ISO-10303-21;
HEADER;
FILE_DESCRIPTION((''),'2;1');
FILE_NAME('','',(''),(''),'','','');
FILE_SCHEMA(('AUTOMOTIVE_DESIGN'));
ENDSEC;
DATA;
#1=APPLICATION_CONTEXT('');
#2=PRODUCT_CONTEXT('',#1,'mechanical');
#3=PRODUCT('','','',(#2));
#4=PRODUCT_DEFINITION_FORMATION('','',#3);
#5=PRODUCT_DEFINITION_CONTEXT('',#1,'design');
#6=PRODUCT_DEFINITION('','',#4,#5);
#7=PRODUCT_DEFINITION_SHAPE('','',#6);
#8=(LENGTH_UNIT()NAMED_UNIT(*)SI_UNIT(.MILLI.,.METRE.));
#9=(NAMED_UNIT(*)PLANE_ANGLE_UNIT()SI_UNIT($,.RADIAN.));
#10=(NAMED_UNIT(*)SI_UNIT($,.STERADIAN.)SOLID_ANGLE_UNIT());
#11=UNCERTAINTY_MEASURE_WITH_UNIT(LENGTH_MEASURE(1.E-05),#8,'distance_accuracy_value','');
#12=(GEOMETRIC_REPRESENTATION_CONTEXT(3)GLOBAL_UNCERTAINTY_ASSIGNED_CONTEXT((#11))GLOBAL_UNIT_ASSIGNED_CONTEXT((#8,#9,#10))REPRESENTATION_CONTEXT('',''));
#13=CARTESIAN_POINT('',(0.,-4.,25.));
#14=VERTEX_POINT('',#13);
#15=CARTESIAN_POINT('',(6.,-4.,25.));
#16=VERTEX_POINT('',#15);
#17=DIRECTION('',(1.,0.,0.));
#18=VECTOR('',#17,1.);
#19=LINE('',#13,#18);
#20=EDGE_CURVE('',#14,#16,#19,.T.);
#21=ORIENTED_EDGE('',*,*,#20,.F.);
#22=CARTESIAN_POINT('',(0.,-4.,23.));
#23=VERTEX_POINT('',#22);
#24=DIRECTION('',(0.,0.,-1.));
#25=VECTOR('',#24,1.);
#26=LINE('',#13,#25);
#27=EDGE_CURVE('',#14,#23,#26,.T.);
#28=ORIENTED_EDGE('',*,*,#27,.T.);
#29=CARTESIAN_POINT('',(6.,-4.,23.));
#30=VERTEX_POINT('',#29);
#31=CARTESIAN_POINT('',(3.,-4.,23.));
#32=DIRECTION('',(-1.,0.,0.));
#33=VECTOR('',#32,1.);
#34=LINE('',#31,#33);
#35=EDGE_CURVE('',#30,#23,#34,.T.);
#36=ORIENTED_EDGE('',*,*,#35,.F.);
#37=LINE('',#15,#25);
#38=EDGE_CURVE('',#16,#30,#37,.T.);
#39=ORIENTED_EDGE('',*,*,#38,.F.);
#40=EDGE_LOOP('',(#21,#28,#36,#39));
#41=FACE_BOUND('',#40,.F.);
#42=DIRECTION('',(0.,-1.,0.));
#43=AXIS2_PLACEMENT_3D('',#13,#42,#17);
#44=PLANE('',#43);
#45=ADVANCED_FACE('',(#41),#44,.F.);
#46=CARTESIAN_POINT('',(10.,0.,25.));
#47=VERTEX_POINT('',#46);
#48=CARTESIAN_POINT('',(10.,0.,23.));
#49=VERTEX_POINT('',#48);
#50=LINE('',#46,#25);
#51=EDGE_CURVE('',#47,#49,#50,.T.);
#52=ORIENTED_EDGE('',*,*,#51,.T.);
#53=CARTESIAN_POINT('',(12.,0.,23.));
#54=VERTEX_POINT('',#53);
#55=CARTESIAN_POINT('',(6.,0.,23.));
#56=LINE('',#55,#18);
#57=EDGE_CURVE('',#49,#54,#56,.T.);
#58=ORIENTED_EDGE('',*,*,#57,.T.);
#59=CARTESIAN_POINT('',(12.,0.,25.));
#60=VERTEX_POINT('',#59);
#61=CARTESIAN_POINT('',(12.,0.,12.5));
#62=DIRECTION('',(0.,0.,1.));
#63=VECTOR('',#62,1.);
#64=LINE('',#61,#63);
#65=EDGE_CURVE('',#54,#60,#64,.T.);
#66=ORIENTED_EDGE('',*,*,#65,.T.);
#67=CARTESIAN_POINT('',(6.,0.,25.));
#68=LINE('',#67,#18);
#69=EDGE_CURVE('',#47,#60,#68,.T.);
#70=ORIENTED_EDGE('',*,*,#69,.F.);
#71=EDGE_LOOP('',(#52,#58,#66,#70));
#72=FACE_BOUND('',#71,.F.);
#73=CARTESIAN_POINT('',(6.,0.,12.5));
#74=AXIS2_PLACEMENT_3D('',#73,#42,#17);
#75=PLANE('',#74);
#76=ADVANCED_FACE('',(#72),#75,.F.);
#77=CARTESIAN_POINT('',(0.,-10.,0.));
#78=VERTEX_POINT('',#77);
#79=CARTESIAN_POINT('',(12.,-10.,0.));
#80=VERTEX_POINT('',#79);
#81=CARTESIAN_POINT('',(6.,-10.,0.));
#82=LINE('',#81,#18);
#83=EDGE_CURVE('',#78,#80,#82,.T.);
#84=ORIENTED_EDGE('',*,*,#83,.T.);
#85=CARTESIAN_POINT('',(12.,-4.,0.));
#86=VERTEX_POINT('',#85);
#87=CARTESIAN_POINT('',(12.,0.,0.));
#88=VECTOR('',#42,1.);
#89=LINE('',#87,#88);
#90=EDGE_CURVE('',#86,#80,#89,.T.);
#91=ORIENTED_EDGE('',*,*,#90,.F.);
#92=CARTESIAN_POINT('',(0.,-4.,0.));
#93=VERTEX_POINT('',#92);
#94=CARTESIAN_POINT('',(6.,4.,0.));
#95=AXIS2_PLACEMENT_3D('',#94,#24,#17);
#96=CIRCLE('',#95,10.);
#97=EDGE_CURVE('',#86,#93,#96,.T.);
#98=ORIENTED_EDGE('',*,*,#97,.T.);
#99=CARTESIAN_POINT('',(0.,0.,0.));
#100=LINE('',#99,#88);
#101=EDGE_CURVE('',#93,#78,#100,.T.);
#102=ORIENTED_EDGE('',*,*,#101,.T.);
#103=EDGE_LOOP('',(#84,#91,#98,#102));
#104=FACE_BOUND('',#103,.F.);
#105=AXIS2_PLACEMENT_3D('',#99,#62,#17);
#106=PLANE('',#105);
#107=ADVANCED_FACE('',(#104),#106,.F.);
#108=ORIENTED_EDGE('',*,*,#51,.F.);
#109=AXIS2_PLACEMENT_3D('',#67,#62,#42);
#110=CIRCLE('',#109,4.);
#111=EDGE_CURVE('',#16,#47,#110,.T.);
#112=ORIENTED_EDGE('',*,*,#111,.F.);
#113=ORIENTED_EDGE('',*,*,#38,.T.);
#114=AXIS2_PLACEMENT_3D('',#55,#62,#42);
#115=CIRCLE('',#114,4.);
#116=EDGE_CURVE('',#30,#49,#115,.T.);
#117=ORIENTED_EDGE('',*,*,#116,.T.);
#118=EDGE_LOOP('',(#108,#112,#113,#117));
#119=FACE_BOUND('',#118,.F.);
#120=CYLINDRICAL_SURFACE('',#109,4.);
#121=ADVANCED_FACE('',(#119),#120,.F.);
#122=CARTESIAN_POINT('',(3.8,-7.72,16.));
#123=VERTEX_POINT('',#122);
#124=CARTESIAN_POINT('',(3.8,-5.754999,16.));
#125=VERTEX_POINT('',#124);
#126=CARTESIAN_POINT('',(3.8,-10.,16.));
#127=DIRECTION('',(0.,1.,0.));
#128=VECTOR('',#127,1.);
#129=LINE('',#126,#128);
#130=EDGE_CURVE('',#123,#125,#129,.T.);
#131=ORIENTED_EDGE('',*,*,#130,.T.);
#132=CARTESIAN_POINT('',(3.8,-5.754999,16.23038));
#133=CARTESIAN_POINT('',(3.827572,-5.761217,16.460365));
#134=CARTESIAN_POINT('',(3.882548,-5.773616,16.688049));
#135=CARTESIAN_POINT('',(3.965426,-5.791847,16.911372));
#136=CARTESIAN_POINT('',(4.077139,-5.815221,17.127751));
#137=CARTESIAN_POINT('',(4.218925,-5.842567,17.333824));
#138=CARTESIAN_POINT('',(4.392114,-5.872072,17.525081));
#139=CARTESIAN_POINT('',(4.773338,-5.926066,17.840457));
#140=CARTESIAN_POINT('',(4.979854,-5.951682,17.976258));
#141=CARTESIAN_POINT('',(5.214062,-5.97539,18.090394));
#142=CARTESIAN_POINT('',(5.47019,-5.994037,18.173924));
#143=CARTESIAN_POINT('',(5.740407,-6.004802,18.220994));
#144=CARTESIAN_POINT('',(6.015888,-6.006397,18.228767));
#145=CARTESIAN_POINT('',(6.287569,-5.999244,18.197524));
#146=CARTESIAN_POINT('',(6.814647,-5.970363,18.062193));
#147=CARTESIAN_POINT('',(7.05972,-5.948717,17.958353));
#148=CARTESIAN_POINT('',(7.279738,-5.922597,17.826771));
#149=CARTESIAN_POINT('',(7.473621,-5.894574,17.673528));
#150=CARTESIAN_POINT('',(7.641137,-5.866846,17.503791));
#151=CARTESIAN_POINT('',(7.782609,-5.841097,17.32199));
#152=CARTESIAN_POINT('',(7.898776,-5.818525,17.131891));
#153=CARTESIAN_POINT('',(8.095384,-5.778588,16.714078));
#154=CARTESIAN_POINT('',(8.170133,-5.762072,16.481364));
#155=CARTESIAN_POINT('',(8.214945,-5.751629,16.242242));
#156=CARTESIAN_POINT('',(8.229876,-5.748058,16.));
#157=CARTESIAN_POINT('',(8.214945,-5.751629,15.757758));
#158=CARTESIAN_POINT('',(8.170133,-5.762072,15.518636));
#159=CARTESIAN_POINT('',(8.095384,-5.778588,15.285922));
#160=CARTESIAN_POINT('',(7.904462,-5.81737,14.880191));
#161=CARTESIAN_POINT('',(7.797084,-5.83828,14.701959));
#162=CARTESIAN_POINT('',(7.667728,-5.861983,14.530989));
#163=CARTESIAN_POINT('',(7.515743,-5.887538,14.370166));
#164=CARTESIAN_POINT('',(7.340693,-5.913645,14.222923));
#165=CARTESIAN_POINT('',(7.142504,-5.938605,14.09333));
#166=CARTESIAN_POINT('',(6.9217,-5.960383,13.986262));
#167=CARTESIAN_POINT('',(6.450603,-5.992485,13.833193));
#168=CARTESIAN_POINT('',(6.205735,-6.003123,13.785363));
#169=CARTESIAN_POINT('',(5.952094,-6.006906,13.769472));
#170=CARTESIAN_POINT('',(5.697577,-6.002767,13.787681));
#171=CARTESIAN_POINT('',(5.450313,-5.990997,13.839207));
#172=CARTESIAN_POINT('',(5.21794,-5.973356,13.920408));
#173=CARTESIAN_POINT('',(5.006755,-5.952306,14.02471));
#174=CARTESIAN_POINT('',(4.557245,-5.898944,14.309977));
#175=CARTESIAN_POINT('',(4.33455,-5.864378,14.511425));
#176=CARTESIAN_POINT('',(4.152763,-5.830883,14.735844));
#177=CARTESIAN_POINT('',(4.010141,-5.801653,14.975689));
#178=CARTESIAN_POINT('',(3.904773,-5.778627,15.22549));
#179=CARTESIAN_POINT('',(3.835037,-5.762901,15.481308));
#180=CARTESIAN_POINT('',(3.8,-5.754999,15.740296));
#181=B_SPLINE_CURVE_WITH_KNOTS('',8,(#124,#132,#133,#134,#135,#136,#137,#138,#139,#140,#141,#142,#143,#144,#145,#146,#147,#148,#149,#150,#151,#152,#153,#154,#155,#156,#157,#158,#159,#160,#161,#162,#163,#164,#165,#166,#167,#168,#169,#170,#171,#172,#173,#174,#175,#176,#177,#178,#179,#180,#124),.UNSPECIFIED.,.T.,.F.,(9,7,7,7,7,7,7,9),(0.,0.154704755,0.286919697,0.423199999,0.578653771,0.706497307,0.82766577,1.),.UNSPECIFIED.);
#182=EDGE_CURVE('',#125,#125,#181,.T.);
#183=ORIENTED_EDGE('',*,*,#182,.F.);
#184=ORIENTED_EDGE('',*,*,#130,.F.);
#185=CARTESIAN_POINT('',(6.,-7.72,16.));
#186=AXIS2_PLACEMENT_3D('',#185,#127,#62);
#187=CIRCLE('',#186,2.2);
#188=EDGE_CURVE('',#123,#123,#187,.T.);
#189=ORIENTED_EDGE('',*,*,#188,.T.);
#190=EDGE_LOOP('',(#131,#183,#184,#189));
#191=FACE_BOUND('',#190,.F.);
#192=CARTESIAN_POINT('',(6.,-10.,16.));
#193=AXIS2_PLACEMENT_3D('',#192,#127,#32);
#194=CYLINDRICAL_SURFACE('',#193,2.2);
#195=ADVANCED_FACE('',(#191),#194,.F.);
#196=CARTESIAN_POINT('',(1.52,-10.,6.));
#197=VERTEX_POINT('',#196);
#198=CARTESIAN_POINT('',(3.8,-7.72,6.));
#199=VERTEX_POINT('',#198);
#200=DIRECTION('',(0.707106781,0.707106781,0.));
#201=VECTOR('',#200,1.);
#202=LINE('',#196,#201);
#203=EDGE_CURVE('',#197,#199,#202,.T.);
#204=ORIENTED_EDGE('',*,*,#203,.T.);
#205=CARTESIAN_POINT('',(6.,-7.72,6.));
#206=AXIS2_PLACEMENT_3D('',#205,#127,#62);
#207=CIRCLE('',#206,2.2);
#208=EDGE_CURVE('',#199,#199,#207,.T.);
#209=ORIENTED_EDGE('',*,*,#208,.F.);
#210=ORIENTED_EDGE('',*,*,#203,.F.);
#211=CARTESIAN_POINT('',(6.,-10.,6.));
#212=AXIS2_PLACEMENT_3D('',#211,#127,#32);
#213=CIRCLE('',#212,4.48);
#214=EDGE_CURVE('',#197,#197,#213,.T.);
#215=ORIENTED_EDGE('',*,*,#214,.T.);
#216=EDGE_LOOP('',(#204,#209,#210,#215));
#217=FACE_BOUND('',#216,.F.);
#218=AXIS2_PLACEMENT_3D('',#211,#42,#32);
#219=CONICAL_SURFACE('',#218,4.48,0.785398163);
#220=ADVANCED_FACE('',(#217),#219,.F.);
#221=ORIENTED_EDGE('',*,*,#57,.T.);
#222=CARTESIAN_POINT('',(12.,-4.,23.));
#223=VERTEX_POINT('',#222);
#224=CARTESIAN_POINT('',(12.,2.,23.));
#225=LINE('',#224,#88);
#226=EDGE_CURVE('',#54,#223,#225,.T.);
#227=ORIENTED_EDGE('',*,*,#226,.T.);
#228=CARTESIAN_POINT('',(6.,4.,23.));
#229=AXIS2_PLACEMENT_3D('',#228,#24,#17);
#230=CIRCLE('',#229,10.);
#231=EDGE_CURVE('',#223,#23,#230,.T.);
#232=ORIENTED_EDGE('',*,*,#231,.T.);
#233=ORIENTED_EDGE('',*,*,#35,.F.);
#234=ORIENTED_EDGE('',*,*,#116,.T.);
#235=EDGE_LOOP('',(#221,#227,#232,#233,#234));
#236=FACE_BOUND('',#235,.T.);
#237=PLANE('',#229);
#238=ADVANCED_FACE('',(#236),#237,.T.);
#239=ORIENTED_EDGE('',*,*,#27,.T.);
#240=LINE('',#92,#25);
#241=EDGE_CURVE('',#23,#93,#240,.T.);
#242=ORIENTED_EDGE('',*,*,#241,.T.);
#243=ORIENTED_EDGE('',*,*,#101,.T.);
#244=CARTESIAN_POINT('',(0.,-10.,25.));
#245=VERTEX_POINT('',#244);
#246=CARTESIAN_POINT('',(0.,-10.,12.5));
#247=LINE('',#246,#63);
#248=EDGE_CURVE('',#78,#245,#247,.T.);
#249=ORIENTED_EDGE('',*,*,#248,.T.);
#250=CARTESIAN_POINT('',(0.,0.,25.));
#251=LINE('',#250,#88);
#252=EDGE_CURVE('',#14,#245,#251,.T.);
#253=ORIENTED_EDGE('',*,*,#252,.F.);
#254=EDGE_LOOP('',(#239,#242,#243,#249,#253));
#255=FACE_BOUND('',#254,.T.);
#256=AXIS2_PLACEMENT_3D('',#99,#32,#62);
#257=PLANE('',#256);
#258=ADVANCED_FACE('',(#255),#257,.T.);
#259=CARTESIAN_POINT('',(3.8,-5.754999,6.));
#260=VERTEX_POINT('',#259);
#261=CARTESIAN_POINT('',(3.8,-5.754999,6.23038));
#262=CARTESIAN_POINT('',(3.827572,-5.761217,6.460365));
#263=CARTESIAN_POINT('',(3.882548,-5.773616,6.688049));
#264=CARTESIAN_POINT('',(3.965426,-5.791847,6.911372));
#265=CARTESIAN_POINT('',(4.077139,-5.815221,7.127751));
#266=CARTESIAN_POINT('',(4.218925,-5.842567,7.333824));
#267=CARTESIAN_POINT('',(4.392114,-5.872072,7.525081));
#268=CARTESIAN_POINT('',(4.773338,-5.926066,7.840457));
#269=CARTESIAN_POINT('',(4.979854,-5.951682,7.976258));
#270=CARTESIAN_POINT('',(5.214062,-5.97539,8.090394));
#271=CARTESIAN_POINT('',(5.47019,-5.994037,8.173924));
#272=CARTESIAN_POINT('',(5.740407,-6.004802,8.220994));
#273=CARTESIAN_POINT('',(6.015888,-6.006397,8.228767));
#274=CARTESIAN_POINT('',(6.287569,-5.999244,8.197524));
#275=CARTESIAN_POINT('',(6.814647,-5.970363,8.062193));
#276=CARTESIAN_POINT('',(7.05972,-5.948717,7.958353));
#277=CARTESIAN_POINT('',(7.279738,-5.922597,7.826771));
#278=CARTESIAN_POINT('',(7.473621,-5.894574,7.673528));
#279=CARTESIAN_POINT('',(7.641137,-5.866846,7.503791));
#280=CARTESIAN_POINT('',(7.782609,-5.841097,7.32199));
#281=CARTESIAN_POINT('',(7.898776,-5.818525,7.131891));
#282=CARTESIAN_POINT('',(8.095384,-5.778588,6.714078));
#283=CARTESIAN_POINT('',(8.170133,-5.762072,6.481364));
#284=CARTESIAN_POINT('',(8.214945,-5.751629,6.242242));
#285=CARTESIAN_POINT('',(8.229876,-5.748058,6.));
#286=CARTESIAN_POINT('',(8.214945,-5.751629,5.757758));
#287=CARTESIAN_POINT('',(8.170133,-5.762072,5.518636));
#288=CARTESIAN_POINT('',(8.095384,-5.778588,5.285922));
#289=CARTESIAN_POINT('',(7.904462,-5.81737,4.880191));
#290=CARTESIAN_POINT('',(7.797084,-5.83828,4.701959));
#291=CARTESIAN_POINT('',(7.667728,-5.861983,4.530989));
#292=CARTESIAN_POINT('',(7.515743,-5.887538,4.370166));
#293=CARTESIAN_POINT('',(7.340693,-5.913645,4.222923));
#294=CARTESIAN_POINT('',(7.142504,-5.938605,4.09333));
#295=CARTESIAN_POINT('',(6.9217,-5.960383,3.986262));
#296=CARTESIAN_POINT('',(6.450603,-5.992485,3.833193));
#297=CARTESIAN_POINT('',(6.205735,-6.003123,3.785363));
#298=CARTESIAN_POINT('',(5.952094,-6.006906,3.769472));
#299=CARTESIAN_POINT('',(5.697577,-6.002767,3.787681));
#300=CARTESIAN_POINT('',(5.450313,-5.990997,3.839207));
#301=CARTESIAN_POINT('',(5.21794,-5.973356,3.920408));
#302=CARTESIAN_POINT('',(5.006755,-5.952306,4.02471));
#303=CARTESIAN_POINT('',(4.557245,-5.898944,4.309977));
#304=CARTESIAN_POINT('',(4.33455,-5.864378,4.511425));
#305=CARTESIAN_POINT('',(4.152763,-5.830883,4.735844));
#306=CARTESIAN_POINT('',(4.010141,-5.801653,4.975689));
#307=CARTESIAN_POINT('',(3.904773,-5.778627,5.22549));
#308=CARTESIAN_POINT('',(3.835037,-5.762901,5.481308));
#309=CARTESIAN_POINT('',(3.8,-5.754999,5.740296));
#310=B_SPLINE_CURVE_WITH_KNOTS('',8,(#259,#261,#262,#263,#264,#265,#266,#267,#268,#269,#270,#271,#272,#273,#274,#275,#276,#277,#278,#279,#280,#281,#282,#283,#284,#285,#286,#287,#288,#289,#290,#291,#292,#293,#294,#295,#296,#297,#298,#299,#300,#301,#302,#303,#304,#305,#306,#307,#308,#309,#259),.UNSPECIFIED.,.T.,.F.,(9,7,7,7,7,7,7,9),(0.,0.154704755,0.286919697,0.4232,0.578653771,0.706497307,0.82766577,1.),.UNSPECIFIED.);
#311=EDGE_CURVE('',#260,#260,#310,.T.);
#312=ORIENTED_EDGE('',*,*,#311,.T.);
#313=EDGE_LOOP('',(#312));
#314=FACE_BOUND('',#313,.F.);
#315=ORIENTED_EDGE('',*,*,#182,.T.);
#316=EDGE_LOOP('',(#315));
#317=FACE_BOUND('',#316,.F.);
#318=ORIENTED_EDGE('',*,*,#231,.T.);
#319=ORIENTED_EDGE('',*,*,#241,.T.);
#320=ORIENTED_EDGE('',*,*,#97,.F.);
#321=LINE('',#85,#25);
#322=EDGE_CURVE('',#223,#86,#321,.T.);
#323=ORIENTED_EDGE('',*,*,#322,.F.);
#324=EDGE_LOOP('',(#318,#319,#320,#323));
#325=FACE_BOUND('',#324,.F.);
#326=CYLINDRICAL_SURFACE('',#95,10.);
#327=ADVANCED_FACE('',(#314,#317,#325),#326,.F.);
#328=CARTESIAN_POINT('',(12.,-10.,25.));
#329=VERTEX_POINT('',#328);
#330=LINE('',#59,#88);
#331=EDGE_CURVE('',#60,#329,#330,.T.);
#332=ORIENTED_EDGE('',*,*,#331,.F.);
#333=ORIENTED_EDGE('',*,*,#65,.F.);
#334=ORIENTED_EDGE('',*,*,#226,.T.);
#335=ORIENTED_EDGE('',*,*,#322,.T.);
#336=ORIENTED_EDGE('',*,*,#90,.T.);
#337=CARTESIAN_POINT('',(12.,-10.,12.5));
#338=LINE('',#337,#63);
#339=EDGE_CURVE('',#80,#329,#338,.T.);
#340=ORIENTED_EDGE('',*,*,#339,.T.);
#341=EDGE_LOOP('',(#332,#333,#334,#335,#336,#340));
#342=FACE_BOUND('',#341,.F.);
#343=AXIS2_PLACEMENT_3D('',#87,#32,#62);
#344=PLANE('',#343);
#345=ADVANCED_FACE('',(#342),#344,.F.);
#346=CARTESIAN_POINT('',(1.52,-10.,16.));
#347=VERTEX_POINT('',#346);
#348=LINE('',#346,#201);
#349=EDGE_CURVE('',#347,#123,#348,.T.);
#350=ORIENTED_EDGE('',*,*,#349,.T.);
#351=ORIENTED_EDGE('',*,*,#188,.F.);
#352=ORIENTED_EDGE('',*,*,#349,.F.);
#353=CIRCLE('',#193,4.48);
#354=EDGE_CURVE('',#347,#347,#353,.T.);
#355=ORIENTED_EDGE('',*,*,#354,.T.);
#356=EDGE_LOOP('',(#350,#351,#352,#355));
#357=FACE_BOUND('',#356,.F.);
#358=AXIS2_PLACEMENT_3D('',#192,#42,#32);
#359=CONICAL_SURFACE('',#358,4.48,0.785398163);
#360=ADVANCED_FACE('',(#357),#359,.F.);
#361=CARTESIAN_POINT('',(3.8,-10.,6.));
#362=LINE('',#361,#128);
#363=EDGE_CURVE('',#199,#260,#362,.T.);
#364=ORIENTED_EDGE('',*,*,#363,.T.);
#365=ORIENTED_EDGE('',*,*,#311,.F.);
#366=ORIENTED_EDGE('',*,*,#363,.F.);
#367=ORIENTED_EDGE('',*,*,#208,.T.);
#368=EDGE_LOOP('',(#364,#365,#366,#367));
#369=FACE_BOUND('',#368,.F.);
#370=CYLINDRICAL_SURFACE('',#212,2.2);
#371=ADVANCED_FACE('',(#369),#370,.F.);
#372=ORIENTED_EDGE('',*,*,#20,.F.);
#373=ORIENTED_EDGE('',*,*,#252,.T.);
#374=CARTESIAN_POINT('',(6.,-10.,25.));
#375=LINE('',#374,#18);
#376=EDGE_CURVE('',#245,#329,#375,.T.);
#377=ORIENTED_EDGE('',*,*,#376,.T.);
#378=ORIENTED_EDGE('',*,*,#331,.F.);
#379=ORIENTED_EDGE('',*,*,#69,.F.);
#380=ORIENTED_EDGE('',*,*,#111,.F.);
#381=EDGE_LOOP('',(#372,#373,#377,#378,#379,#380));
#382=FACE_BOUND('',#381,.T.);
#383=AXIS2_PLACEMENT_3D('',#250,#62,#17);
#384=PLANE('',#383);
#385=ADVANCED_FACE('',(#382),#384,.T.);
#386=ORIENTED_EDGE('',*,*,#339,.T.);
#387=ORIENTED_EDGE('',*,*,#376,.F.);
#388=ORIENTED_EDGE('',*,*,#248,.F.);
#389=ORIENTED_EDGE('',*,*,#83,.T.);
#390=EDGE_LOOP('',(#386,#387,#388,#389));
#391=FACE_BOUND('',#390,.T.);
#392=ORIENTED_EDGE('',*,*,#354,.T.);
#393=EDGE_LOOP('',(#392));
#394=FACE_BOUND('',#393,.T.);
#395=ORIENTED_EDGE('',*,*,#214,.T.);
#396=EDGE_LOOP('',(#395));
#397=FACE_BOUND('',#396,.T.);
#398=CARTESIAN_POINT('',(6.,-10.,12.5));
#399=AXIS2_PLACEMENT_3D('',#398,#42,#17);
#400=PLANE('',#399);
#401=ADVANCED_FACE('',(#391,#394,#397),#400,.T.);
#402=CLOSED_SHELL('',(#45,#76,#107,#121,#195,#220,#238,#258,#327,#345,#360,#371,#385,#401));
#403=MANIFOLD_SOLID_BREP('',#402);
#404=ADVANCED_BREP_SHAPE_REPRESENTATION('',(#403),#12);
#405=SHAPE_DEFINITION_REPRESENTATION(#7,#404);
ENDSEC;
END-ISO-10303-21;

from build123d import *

# Parameters (mm, degrees)
F0_W           = 12
F0_H           = 25
F1_DEPTH       = 10
F2_R           = 10
F3_DEPTH       = 23
F5_DEPTH       = 25
F7_D           = 4.4
F7_CSINK_D     = 8.96
F7_CSINK_ANGLE = 90


with BuildPart() as f1:
    # F0 (on Front) → F1 (new body)
    with BuildSketch(Plane.XZ):
        with Locations((6, 12.5)):
            Rectangle(F0_W, F0_H)
    extrude(amount=F1_DEPTH)

    # F2 (on face) → F3 (cut)
    with BuildSketch(Plane(origin=(0, 0, 0), x_dir=(1, 0, 0), z_dir=(0, 0, -1))):
        with Locations((6, -4)):
            Circle(F2_R)
    extrude(amount=-F3_DEPTH, mode=Mode.SUBTRACT)

    # F4 (on face) → F5 (cut)
    with BuildSketch(Plane.XY.offset(25)):
        with BuildLine():
            ThreePointArc((6, -4), (8.8284271247, -2.8284271247), (10, 0))
            ThreePointArc((10, 0), (3.1715728753, 2.8284271247), (6, -4))
        make_face()
        with BuildLine():
            Line((0, -4), (6, -4))
            ThreePointArc((6, -4), (3.1715728753, -2.8284271247), (2, 0))
            Line((2, 0), (0, 0))
            Line((0, 0), (0, -4))
        make_face()
    extrude(amount=-F5_DEPTH, mode=Mode.SUBTRACT)

    # F7 (through all)
    with Locations(Plane.XZ.offset(10)):
        with Locations((6, 6), (6, 16)):
            CounterSinkHole(F7_D / 2, F7_CSINK_D / 2, counter_sink_angle=F7_CSINK_ANGLE)


solid = f1.part
